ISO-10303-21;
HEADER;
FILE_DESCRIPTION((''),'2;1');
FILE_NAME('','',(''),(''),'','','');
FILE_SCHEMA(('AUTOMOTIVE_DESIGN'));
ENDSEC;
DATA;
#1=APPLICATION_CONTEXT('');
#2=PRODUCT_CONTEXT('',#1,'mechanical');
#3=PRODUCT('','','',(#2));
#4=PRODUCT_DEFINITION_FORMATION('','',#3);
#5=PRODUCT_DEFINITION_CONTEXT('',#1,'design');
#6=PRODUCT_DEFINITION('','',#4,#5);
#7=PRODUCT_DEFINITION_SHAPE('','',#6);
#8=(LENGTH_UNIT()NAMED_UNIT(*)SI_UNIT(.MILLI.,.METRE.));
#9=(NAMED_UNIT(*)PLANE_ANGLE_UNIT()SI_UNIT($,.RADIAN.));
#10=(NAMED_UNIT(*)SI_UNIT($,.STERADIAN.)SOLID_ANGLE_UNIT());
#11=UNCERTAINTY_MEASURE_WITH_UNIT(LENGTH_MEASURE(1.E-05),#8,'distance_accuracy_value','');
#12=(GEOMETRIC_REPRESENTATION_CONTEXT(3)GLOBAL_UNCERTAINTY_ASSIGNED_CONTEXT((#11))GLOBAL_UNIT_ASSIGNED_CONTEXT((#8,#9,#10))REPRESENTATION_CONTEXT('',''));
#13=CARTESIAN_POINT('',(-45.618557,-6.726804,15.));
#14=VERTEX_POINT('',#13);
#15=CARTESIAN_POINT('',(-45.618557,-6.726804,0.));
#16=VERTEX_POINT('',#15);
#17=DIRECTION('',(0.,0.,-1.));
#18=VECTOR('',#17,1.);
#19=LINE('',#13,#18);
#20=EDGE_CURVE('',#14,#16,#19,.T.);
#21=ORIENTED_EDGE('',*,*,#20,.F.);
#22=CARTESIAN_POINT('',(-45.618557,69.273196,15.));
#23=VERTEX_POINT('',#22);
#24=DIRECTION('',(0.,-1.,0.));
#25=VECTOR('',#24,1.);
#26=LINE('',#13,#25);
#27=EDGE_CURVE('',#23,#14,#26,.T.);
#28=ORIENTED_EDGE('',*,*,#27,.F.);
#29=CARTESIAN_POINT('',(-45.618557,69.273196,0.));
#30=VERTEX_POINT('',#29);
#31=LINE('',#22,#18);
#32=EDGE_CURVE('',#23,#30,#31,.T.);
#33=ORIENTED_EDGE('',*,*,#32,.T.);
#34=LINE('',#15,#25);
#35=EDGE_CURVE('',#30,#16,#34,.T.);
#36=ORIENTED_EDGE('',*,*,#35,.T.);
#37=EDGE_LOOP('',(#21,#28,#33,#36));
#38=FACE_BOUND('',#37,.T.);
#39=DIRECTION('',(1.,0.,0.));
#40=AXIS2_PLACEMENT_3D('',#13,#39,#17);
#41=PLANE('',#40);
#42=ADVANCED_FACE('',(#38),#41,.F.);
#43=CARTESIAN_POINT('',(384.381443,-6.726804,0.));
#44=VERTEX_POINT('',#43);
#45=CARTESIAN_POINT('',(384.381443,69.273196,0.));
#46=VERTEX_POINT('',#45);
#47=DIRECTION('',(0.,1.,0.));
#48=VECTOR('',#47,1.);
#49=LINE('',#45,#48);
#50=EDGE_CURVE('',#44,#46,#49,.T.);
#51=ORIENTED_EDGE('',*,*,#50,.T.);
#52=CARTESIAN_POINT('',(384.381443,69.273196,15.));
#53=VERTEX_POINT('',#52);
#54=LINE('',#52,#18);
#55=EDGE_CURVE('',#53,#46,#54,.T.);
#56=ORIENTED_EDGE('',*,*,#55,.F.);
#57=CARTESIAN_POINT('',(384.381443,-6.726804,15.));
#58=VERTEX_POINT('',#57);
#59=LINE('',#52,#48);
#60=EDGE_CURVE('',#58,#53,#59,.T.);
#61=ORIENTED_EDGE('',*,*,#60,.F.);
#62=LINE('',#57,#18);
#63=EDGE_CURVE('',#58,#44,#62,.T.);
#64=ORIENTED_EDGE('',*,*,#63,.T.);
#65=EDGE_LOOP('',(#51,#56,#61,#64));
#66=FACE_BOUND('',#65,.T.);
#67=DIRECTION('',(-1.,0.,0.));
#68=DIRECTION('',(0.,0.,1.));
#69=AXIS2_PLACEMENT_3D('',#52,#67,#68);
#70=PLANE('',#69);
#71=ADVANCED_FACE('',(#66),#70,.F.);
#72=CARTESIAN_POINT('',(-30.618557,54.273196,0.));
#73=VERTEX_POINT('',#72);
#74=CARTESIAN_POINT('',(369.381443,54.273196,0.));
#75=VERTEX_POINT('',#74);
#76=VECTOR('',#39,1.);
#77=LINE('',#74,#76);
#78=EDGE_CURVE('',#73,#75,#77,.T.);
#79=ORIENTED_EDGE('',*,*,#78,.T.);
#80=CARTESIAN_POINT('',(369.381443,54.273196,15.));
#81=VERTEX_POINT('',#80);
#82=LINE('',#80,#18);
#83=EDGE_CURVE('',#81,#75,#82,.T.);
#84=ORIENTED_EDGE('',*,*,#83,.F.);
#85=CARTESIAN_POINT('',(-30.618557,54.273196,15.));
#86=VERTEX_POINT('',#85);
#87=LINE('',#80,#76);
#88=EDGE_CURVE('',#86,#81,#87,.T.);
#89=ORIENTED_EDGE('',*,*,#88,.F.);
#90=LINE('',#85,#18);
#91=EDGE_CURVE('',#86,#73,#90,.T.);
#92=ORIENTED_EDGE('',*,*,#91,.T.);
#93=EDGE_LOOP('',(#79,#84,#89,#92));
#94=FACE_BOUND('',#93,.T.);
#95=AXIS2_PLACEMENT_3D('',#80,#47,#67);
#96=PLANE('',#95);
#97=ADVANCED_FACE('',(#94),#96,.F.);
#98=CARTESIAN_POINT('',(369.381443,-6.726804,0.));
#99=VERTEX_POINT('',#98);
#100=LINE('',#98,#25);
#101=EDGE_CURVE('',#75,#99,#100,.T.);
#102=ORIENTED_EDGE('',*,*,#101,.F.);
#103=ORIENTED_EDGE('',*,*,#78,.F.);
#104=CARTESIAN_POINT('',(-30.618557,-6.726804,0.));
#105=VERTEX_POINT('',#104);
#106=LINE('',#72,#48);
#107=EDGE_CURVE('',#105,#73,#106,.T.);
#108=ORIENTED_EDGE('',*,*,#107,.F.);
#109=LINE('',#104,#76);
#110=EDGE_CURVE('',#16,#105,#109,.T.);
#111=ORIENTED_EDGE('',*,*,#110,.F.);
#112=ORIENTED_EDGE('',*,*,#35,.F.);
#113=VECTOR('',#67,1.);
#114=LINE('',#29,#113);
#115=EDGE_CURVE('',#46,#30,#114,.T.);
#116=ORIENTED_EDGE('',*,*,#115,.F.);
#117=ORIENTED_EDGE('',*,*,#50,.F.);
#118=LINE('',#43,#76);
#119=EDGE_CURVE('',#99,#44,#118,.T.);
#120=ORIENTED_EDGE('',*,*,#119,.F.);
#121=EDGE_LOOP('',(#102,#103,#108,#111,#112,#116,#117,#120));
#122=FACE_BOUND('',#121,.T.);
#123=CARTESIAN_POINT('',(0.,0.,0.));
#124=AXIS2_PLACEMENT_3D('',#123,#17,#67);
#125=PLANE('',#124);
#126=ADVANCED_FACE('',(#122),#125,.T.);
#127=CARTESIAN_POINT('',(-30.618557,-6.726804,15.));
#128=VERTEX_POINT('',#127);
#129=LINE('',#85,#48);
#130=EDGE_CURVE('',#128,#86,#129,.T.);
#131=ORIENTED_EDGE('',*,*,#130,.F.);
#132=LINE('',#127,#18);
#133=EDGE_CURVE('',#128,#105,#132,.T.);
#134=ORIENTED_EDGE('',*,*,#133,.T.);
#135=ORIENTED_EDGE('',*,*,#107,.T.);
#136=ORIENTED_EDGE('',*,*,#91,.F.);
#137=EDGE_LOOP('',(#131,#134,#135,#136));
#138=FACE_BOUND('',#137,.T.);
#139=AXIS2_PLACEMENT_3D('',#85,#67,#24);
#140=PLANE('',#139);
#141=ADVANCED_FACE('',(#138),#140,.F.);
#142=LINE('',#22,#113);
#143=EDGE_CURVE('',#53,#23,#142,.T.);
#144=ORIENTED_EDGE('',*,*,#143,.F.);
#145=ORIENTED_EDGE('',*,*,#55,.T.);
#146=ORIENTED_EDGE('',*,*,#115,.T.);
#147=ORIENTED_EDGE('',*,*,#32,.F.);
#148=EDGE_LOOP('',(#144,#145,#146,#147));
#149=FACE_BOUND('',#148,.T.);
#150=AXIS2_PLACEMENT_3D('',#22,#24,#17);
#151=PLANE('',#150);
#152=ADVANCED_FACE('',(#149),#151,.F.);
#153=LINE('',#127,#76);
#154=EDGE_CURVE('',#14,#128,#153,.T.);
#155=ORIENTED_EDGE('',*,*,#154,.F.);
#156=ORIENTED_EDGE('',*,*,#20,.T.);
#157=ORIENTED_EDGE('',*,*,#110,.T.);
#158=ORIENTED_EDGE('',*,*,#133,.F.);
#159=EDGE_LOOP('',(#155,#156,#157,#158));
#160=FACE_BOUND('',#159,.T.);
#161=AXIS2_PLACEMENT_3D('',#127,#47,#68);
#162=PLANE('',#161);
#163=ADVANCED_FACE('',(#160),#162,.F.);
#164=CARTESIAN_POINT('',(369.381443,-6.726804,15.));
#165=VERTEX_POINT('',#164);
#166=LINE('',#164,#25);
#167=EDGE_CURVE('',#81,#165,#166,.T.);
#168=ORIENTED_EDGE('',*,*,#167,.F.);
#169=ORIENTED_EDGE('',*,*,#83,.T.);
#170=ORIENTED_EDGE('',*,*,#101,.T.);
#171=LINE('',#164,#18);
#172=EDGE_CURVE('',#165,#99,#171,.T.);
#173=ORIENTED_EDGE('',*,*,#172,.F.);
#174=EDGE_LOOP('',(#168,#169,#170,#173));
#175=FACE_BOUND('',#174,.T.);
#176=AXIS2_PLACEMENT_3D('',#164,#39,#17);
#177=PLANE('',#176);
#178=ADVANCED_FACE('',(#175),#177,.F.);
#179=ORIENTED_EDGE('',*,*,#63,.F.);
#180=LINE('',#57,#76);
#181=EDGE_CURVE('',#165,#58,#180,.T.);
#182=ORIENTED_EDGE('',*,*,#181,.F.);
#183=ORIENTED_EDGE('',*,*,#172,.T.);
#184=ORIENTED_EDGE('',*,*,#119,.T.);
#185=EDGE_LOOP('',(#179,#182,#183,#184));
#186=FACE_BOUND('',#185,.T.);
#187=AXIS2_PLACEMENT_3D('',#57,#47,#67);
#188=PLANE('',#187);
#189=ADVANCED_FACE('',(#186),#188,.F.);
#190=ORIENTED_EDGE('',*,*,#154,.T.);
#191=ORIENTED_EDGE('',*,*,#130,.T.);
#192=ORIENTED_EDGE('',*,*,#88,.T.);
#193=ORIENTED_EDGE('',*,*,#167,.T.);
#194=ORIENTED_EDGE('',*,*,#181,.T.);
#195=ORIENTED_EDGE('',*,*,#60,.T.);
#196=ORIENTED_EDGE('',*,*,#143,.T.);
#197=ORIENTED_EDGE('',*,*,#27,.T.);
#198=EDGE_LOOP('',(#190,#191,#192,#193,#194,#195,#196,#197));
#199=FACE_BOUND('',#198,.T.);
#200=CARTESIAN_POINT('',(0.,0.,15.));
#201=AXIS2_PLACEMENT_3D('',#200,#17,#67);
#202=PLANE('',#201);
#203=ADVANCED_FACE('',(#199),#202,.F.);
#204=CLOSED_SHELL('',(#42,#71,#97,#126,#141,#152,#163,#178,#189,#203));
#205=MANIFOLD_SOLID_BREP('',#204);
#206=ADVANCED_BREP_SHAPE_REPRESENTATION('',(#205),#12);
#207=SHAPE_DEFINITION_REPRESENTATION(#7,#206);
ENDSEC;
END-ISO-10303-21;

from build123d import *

# Parameters (mm, degrees)
EXTRUDE_1_DEPTH = 15


with BuildPart() as part:
    # 草图1 → 凸台-拉伸1 (new body)
    with BuildSketch(Plane.XY):
        Polygon((-30.618556701, -6.726804124), (-45.618556701, -6.726804124), (-45.618556701, 69.273195876), (384.381443299, 69.273195876), (384.381443299, -6.726804124), (369.381443299, -6.726804124), (369.381443299, 54.273195876), (-30.618556701, 54.273195876), align=None)
    extrude(amount=EXTRUDE_1_DEPTH)


solid = part.part
